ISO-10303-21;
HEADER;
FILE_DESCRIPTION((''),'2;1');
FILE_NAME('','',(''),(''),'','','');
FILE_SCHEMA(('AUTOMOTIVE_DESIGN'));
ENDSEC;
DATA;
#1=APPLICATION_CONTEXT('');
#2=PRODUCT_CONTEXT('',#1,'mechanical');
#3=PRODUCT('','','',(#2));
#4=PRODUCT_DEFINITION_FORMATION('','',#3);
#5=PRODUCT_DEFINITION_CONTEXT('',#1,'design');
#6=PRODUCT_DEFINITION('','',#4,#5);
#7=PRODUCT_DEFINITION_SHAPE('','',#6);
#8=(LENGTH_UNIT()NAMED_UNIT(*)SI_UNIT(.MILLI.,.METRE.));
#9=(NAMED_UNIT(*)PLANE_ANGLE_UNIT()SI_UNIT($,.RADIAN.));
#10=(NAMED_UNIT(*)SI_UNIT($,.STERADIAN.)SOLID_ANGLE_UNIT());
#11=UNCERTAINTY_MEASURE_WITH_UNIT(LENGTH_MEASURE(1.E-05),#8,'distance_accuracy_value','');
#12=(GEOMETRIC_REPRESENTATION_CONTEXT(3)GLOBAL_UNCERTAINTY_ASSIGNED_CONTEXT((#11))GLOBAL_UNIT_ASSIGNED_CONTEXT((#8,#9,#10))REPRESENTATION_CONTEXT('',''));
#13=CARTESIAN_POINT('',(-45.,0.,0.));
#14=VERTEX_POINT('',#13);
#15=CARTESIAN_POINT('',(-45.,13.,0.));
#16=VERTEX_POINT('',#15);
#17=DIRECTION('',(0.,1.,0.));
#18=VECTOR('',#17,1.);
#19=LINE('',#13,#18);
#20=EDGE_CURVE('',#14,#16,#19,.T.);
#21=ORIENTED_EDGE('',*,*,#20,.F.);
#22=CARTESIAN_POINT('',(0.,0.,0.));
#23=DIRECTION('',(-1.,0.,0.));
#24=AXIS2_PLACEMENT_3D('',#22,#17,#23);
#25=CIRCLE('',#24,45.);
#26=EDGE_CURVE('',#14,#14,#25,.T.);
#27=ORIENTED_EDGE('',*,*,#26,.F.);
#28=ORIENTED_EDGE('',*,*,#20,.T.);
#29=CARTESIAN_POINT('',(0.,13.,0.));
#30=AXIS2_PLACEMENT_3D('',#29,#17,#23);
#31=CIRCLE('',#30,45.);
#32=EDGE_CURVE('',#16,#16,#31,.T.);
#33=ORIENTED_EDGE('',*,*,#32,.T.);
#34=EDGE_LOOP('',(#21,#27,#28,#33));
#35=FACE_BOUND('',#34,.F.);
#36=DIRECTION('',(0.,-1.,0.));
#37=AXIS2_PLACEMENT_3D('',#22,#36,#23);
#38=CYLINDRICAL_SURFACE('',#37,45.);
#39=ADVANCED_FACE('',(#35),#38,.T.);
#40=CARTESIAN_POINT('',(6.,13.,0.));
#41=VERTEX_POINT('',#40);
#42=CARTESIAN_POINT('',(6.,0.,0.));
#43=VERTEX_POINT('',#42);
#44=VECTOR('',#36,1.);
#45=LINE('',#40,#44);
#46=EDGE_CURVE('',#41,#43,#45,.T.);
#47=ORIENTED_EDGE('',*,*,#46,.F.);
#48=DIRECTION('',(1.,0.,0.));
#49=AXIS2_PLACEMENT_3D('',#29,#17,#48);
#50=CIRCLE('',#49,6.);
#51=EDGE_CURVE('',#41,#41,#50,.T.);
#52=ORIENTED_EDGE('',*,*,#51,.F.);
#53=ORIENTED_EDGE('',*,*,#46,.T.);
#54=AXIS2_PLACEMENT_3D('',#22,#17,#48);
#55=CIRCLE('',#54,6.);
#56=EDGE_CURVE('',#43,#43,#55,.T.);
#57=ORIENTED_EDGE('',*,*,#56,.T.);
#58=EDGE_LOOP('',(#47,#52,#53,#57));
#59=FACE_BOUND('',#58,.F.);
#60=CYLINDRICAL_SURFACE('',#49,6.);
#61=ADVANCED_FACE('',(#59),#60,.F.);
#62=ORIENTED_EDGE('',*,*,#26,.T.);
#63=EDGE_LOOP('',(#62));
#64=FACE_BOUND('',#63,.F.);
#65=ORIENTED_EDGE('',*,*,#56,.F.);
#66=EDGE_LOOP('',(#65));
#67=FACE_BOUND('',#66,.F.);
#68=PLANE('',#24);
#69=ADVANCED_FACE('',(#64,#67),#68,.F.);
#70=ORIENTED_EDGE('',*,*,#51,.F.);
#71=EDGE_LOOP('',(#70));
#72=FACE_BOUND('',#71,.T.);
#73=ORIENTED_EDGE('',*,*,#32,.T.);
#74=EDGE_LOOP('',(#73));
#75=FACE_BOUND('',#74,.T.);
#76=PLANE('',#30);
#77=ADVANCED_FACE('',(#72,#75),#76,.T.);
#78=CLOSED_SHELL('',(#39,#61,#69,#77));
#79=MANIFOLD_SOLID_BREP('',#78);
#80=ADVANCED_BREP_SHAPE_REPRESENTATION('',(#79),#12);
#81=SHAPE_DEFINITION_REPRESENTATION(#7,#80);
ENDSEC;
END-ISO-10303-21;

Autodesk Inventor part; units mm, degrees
ref_plane "YZ Plane" through (0, 0, 0) normal (1, 0, 0) x (0, 1, 0)
ref_plane "XZ Plane" through (0, 0, 0) normal (0, 1, 0) x (-1, 0, 0)
ref_plane "XY Plane" through (0, 0, 0) normal (0, 0, 1) x (1, 0, 0)
sketch "Sketch1" plane through (0, 0, 0) normal (0, 1, 0) x (-1, 0, 0)
  circle A0 centre (0, 0) radius 45
  dimension "d0" = 90
extrude "Extrusion1" add sketch "Sketch1" along normal blind 13
sketch "Sketch2" plane through (0, 13, 0) normal (0, 1, 0) x (1, 0, 0)
  circle A0 centre (0, 0) radius 6
  dimension "d3" = 12
extrude "Extrusion2" cut sketch "Sketch2" against normal blind 13
properties part number "Brushless Motor"
